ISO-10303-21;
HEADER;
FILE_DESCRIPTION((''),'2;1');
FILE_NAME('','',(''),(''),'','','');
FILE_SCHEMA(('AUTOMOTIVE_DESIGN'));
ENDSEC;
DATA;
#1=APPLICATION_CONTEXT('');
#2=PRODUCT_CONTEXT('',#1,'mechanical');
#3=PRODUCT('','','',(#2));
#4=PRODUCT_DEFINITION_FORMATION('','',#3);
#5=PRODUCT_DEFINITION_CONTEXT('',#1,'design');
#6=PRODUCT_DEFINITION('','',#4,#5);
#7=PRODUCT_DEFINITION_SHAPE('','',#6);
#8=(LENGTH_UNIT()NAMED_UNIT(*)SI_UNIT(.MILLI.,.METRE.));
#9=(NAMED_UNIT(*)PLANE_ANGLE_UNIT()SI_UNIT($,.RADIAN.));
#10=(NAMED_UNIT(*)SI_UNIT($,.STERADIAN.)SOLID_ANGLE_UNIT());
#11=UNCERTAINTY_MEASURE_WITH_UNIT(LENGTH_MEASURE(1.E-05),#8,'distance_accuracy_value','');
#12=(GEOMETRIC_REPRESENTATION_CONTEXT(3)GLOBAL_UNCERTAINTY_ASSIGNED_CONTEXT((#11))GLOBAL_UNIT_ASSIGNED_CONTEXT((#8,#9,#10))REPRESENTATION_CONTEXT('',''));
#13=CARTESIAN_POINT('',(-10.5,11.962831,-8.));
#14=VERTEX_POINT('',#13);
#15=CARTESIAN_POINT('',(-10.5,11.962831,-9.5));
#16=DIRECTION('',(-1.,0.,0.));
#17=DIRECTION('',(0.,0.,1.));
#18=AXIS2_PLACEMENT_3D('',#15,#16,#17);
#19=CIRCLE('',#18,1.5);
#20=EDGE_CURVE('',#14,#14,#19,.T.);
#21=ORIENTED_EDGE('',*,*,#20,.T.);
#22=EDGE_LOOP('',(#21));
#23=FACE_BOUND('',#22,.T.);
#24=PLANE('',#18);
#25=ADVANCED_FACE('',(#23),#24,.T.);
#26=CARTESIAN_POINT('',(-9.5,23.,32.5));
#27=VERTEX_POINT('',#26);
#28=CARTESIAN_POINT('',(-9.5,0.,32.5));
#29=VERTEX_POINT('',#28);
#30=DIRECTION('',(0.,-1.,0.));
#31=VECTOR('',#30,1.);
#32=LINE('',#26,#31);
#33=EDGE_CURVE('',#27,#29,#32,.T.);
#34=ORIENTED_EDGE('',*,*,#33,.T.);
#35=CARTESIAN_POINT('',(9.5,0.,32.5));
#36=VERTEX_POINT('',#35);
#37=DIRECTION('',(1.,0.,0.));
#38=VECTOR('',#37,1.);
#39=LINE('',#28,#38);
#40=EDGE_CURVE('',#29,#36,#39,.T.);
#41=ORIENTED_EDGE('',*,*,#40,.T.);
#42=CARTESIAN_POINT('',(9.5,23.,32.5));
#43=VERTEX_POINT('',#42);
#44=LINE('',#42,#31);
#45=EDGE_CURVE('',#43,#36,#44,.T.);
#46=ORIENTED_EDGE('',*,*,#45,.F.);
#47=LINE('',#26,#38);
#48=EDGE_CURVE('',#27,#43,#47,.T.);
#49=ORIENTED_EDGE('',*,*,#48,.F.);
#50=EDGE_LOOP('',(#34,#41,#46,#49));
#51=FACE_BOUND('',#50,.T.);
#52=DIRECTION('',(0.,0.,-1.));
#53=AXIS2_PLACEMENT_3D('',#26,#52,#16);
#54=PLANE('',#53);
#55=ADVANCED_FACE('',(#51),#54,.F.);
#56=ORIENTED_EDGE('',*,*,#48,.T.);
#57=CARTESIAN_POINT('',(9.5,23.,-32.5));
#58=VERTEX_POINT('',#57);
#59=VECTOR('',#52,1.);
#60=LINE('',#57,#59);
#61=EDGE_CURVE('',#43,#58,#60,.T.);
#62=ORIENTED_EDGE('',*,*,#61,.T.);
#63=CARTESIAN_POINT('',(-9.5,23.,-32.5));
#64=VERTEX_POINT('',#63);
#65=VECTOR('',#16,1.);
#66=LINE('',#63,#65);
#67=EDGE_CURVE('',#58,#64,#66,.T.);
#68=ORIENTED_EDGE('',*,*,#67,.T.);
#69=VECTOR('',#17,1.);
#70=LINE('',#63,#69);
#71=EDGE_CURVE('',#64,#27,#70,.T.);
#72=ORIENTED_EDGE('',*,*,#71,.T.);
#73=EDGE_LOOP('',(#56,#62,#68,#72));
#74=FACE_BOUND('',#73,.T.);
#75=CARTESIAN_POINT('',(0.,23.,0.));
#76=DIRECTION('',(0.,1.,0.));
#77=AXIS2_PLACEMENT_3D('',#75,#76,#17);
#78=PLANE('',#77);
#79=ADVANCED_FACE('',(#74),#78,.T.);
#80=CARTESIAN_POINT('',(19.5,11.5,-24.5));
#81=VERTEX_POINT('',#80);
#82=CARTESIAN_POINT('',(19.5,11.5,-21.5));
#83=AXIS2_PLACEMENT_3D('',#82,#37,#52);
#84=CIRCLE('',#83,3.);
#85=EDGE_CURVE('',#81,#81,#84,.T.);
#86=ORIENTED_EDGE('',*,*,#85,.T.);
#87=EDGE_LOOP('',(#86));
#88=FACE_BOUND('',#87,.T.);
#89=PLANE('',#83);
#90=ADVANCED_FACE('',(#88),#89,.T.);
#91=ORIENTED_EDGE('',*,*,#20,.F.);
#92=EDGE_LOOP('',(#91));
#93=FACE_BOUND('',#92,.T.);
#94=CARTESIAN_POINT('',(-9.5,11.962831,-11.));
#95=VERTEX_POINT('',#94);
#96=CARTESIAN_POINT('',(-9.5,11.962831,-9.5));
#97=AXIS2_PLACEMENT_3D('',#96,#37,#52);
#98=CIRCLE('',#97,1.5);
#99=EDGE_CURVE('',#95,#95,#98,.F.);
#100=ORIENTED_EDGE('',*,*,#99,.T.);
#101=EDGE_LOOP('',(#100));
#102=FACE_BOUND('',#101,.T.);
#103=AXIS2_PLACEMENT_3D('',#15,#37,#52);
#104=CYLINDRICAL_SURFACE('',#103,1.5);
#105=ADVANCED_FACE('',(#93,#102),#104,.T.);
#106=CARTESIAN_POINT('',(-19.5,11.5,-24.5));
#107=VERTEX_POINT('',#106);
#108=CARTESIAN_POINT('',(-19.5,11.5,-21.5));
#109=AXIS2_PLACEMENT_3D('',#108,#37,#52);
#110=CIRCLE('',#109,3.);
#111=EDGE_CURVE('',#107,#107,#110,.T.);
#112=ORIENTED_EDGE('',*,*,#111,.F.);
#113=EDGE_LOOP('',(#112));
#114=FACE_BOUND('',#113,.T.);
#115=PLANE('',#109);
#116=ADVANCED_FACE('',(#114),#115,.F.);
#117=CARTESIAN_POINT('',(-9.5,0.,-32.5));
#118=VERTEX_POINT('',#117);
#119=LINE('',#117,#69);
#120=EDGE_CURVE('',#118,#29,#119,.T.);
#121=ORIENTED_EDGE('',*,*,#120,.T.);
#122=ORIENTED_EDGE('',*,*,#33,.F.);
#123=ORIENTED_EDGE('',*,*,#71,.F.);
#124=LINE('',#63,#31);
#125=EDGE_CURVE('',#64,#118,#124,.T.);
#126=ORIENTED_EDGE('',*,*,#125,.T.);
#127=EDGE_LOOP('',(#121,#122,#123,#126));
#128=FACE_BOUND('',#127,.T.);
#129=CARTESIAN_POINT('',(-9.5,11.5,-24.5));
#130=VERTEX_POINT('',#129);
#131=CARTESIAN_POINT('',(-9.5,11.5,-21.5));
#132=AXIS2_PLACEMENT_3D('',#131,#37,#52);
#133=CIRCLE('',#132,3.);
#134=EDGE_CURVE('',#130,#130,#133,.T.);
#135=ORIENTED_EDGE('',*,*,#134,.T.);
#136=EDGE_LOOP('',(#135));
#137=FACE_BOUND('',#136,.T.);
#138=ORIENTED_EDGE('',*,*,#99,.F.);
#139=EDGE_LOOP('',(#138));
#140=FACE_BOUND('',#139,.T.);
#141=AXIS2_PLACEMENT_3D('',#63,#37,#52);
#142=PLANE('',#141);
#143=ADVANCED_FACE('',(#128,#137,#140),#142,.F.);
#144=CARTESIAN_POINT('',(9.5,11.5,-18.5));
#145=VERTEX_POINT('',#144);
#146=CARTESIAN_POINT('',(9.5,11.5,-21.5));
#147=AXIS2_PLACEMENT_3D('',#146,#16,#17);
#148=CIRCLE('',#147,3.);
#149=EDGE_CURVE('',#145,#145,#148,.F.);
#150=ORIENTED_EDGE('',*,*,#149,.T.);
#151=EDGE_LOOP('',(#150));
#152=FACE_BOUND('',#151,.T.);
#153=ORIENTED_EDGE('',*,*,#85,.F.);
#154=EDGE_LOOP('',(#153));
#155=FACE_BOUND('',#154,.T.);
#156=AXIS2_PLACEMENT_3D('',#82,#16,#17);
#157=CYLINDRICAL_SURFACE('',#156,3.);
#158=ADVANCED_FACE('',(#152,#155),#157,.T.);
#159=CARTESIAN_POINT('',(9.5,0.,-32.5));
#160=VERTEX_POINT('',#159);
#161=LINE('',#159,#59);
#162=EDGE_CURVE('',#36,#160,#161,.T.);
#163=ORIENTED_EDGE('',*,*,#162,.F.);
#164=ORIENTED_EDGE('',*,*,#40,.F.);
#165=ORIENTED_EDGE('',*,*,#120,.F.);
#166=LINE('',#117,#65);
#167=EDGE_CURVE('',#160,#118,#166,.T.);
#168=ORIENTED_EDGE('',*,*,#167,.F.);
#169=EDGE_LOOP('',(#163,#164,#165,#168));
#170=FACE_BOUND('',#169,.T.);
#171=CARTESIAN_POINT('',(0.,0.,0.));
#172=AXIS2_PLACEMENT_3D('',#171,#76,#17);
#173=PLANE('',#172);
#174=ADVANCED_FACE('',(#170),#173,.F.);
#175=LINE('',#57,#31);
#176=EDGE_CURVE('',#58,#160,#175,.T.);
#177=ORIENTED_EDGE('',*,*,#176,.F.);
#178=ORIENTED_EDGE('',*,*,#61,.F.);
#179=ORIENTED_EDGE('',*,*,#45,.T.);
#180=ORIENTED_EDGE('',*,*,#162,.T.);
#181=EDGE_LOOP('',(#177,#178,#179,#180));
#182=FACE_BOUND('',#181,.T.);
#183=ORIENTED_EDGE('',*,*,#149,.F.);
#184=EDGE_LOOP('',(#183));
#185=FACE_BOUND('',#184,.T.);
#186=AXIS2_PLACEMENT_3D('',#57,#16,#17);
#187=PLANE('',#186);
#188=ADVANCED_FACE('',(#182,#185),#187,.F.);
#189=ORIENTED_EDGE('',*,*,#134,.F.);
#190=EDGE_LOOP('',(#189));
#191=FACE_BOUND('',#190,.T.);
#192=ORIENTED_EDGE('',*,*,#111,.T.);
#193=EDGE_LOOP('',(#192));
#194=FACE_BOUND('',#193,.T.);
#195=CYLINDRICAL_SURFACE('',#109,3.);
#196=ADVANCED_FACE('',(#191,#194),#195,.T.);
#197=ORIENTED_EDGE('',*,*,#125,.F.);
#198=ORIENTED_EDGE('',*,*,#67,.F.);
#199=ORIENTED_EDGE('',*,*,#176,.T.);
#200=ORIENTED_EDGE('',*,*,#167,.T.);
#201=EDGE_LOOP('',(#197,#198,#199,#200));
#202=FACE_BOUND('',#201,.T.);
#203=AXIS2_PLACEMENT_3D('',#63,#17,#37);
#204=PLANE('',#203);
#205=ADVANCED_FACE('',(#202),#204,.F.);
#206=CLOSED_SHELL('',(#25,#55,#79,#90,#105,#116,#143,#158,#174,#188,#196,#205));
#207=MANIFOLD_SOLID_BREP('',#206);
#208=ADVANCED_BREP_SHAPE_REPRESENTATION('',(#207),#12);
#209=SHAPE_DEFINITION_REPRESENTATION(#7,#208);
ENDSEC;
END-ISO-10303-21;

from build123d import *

# Parameters (mm, degrees)
CROQUIS1_W              = 19
CROQUIS1_H              = 65
SALIENTE_EXTRUIR1_DEPTH = 23
CROQUIS2_R              = 3
SALIENTE_EXTRUIR2_DEPTH = 10
CROQUIS3_R              = 3
SALIENTE_EXTRUIR3_DEPTH = 39
CROQUIS4_R              = 1.5
SALIENTE_EXTRUIR4_DEPTH = 1


with BuildPart() as part:
    # Croquis1 → Saliente-Extruir1 (new body)
    with BuildSketch(Plane(origin=(0, 0, 0), x_dir=(1, 0, 0), z_dir=(0, 1, 0))):
        Rectangle(CROQUIS1_W, CROQUIS1_H)
    extrude(amount=SALIENTE_EXTRUIR1_DEPTH)

    # Croquis2 → Saliente-Extruir2 (add)
    with BuildSketch(Plane(origin=(9.5, 0, 0), x_dir=(0, 0, -1), z_dir=(1, 0, 0))):
        with Locations((21.5, 11.5)):
            Circle(CROQUIS2_R)
    extrude(amount=SALIENTE_EXTRUIR2_DEPTH)

    # Croquis3 → Saliente-Extruir3 (add)
    with BuildSketch(Plane(origin=(19.5, 0, 0), x_dir=(0, 0, -1), z_dir=(1, 0, 0))):
        with Locations((21.5, 11.5)):
            Circle(CROQUIS3_R)
    extrude(amount=-SALIENTE_EXTRUIR3_DEPTH)

    # Croquis4 → Saliente-Extruir4 (add)
    with BuildSketch(Plane.ZY.offset(9.5)):
        with Locations((-9.5, 11.962831391)):
            Circle(CROQUIS4_R)
    extrude(amount=SALIENTE_EXTRUIR4_DEPTH)


solid = part.part
